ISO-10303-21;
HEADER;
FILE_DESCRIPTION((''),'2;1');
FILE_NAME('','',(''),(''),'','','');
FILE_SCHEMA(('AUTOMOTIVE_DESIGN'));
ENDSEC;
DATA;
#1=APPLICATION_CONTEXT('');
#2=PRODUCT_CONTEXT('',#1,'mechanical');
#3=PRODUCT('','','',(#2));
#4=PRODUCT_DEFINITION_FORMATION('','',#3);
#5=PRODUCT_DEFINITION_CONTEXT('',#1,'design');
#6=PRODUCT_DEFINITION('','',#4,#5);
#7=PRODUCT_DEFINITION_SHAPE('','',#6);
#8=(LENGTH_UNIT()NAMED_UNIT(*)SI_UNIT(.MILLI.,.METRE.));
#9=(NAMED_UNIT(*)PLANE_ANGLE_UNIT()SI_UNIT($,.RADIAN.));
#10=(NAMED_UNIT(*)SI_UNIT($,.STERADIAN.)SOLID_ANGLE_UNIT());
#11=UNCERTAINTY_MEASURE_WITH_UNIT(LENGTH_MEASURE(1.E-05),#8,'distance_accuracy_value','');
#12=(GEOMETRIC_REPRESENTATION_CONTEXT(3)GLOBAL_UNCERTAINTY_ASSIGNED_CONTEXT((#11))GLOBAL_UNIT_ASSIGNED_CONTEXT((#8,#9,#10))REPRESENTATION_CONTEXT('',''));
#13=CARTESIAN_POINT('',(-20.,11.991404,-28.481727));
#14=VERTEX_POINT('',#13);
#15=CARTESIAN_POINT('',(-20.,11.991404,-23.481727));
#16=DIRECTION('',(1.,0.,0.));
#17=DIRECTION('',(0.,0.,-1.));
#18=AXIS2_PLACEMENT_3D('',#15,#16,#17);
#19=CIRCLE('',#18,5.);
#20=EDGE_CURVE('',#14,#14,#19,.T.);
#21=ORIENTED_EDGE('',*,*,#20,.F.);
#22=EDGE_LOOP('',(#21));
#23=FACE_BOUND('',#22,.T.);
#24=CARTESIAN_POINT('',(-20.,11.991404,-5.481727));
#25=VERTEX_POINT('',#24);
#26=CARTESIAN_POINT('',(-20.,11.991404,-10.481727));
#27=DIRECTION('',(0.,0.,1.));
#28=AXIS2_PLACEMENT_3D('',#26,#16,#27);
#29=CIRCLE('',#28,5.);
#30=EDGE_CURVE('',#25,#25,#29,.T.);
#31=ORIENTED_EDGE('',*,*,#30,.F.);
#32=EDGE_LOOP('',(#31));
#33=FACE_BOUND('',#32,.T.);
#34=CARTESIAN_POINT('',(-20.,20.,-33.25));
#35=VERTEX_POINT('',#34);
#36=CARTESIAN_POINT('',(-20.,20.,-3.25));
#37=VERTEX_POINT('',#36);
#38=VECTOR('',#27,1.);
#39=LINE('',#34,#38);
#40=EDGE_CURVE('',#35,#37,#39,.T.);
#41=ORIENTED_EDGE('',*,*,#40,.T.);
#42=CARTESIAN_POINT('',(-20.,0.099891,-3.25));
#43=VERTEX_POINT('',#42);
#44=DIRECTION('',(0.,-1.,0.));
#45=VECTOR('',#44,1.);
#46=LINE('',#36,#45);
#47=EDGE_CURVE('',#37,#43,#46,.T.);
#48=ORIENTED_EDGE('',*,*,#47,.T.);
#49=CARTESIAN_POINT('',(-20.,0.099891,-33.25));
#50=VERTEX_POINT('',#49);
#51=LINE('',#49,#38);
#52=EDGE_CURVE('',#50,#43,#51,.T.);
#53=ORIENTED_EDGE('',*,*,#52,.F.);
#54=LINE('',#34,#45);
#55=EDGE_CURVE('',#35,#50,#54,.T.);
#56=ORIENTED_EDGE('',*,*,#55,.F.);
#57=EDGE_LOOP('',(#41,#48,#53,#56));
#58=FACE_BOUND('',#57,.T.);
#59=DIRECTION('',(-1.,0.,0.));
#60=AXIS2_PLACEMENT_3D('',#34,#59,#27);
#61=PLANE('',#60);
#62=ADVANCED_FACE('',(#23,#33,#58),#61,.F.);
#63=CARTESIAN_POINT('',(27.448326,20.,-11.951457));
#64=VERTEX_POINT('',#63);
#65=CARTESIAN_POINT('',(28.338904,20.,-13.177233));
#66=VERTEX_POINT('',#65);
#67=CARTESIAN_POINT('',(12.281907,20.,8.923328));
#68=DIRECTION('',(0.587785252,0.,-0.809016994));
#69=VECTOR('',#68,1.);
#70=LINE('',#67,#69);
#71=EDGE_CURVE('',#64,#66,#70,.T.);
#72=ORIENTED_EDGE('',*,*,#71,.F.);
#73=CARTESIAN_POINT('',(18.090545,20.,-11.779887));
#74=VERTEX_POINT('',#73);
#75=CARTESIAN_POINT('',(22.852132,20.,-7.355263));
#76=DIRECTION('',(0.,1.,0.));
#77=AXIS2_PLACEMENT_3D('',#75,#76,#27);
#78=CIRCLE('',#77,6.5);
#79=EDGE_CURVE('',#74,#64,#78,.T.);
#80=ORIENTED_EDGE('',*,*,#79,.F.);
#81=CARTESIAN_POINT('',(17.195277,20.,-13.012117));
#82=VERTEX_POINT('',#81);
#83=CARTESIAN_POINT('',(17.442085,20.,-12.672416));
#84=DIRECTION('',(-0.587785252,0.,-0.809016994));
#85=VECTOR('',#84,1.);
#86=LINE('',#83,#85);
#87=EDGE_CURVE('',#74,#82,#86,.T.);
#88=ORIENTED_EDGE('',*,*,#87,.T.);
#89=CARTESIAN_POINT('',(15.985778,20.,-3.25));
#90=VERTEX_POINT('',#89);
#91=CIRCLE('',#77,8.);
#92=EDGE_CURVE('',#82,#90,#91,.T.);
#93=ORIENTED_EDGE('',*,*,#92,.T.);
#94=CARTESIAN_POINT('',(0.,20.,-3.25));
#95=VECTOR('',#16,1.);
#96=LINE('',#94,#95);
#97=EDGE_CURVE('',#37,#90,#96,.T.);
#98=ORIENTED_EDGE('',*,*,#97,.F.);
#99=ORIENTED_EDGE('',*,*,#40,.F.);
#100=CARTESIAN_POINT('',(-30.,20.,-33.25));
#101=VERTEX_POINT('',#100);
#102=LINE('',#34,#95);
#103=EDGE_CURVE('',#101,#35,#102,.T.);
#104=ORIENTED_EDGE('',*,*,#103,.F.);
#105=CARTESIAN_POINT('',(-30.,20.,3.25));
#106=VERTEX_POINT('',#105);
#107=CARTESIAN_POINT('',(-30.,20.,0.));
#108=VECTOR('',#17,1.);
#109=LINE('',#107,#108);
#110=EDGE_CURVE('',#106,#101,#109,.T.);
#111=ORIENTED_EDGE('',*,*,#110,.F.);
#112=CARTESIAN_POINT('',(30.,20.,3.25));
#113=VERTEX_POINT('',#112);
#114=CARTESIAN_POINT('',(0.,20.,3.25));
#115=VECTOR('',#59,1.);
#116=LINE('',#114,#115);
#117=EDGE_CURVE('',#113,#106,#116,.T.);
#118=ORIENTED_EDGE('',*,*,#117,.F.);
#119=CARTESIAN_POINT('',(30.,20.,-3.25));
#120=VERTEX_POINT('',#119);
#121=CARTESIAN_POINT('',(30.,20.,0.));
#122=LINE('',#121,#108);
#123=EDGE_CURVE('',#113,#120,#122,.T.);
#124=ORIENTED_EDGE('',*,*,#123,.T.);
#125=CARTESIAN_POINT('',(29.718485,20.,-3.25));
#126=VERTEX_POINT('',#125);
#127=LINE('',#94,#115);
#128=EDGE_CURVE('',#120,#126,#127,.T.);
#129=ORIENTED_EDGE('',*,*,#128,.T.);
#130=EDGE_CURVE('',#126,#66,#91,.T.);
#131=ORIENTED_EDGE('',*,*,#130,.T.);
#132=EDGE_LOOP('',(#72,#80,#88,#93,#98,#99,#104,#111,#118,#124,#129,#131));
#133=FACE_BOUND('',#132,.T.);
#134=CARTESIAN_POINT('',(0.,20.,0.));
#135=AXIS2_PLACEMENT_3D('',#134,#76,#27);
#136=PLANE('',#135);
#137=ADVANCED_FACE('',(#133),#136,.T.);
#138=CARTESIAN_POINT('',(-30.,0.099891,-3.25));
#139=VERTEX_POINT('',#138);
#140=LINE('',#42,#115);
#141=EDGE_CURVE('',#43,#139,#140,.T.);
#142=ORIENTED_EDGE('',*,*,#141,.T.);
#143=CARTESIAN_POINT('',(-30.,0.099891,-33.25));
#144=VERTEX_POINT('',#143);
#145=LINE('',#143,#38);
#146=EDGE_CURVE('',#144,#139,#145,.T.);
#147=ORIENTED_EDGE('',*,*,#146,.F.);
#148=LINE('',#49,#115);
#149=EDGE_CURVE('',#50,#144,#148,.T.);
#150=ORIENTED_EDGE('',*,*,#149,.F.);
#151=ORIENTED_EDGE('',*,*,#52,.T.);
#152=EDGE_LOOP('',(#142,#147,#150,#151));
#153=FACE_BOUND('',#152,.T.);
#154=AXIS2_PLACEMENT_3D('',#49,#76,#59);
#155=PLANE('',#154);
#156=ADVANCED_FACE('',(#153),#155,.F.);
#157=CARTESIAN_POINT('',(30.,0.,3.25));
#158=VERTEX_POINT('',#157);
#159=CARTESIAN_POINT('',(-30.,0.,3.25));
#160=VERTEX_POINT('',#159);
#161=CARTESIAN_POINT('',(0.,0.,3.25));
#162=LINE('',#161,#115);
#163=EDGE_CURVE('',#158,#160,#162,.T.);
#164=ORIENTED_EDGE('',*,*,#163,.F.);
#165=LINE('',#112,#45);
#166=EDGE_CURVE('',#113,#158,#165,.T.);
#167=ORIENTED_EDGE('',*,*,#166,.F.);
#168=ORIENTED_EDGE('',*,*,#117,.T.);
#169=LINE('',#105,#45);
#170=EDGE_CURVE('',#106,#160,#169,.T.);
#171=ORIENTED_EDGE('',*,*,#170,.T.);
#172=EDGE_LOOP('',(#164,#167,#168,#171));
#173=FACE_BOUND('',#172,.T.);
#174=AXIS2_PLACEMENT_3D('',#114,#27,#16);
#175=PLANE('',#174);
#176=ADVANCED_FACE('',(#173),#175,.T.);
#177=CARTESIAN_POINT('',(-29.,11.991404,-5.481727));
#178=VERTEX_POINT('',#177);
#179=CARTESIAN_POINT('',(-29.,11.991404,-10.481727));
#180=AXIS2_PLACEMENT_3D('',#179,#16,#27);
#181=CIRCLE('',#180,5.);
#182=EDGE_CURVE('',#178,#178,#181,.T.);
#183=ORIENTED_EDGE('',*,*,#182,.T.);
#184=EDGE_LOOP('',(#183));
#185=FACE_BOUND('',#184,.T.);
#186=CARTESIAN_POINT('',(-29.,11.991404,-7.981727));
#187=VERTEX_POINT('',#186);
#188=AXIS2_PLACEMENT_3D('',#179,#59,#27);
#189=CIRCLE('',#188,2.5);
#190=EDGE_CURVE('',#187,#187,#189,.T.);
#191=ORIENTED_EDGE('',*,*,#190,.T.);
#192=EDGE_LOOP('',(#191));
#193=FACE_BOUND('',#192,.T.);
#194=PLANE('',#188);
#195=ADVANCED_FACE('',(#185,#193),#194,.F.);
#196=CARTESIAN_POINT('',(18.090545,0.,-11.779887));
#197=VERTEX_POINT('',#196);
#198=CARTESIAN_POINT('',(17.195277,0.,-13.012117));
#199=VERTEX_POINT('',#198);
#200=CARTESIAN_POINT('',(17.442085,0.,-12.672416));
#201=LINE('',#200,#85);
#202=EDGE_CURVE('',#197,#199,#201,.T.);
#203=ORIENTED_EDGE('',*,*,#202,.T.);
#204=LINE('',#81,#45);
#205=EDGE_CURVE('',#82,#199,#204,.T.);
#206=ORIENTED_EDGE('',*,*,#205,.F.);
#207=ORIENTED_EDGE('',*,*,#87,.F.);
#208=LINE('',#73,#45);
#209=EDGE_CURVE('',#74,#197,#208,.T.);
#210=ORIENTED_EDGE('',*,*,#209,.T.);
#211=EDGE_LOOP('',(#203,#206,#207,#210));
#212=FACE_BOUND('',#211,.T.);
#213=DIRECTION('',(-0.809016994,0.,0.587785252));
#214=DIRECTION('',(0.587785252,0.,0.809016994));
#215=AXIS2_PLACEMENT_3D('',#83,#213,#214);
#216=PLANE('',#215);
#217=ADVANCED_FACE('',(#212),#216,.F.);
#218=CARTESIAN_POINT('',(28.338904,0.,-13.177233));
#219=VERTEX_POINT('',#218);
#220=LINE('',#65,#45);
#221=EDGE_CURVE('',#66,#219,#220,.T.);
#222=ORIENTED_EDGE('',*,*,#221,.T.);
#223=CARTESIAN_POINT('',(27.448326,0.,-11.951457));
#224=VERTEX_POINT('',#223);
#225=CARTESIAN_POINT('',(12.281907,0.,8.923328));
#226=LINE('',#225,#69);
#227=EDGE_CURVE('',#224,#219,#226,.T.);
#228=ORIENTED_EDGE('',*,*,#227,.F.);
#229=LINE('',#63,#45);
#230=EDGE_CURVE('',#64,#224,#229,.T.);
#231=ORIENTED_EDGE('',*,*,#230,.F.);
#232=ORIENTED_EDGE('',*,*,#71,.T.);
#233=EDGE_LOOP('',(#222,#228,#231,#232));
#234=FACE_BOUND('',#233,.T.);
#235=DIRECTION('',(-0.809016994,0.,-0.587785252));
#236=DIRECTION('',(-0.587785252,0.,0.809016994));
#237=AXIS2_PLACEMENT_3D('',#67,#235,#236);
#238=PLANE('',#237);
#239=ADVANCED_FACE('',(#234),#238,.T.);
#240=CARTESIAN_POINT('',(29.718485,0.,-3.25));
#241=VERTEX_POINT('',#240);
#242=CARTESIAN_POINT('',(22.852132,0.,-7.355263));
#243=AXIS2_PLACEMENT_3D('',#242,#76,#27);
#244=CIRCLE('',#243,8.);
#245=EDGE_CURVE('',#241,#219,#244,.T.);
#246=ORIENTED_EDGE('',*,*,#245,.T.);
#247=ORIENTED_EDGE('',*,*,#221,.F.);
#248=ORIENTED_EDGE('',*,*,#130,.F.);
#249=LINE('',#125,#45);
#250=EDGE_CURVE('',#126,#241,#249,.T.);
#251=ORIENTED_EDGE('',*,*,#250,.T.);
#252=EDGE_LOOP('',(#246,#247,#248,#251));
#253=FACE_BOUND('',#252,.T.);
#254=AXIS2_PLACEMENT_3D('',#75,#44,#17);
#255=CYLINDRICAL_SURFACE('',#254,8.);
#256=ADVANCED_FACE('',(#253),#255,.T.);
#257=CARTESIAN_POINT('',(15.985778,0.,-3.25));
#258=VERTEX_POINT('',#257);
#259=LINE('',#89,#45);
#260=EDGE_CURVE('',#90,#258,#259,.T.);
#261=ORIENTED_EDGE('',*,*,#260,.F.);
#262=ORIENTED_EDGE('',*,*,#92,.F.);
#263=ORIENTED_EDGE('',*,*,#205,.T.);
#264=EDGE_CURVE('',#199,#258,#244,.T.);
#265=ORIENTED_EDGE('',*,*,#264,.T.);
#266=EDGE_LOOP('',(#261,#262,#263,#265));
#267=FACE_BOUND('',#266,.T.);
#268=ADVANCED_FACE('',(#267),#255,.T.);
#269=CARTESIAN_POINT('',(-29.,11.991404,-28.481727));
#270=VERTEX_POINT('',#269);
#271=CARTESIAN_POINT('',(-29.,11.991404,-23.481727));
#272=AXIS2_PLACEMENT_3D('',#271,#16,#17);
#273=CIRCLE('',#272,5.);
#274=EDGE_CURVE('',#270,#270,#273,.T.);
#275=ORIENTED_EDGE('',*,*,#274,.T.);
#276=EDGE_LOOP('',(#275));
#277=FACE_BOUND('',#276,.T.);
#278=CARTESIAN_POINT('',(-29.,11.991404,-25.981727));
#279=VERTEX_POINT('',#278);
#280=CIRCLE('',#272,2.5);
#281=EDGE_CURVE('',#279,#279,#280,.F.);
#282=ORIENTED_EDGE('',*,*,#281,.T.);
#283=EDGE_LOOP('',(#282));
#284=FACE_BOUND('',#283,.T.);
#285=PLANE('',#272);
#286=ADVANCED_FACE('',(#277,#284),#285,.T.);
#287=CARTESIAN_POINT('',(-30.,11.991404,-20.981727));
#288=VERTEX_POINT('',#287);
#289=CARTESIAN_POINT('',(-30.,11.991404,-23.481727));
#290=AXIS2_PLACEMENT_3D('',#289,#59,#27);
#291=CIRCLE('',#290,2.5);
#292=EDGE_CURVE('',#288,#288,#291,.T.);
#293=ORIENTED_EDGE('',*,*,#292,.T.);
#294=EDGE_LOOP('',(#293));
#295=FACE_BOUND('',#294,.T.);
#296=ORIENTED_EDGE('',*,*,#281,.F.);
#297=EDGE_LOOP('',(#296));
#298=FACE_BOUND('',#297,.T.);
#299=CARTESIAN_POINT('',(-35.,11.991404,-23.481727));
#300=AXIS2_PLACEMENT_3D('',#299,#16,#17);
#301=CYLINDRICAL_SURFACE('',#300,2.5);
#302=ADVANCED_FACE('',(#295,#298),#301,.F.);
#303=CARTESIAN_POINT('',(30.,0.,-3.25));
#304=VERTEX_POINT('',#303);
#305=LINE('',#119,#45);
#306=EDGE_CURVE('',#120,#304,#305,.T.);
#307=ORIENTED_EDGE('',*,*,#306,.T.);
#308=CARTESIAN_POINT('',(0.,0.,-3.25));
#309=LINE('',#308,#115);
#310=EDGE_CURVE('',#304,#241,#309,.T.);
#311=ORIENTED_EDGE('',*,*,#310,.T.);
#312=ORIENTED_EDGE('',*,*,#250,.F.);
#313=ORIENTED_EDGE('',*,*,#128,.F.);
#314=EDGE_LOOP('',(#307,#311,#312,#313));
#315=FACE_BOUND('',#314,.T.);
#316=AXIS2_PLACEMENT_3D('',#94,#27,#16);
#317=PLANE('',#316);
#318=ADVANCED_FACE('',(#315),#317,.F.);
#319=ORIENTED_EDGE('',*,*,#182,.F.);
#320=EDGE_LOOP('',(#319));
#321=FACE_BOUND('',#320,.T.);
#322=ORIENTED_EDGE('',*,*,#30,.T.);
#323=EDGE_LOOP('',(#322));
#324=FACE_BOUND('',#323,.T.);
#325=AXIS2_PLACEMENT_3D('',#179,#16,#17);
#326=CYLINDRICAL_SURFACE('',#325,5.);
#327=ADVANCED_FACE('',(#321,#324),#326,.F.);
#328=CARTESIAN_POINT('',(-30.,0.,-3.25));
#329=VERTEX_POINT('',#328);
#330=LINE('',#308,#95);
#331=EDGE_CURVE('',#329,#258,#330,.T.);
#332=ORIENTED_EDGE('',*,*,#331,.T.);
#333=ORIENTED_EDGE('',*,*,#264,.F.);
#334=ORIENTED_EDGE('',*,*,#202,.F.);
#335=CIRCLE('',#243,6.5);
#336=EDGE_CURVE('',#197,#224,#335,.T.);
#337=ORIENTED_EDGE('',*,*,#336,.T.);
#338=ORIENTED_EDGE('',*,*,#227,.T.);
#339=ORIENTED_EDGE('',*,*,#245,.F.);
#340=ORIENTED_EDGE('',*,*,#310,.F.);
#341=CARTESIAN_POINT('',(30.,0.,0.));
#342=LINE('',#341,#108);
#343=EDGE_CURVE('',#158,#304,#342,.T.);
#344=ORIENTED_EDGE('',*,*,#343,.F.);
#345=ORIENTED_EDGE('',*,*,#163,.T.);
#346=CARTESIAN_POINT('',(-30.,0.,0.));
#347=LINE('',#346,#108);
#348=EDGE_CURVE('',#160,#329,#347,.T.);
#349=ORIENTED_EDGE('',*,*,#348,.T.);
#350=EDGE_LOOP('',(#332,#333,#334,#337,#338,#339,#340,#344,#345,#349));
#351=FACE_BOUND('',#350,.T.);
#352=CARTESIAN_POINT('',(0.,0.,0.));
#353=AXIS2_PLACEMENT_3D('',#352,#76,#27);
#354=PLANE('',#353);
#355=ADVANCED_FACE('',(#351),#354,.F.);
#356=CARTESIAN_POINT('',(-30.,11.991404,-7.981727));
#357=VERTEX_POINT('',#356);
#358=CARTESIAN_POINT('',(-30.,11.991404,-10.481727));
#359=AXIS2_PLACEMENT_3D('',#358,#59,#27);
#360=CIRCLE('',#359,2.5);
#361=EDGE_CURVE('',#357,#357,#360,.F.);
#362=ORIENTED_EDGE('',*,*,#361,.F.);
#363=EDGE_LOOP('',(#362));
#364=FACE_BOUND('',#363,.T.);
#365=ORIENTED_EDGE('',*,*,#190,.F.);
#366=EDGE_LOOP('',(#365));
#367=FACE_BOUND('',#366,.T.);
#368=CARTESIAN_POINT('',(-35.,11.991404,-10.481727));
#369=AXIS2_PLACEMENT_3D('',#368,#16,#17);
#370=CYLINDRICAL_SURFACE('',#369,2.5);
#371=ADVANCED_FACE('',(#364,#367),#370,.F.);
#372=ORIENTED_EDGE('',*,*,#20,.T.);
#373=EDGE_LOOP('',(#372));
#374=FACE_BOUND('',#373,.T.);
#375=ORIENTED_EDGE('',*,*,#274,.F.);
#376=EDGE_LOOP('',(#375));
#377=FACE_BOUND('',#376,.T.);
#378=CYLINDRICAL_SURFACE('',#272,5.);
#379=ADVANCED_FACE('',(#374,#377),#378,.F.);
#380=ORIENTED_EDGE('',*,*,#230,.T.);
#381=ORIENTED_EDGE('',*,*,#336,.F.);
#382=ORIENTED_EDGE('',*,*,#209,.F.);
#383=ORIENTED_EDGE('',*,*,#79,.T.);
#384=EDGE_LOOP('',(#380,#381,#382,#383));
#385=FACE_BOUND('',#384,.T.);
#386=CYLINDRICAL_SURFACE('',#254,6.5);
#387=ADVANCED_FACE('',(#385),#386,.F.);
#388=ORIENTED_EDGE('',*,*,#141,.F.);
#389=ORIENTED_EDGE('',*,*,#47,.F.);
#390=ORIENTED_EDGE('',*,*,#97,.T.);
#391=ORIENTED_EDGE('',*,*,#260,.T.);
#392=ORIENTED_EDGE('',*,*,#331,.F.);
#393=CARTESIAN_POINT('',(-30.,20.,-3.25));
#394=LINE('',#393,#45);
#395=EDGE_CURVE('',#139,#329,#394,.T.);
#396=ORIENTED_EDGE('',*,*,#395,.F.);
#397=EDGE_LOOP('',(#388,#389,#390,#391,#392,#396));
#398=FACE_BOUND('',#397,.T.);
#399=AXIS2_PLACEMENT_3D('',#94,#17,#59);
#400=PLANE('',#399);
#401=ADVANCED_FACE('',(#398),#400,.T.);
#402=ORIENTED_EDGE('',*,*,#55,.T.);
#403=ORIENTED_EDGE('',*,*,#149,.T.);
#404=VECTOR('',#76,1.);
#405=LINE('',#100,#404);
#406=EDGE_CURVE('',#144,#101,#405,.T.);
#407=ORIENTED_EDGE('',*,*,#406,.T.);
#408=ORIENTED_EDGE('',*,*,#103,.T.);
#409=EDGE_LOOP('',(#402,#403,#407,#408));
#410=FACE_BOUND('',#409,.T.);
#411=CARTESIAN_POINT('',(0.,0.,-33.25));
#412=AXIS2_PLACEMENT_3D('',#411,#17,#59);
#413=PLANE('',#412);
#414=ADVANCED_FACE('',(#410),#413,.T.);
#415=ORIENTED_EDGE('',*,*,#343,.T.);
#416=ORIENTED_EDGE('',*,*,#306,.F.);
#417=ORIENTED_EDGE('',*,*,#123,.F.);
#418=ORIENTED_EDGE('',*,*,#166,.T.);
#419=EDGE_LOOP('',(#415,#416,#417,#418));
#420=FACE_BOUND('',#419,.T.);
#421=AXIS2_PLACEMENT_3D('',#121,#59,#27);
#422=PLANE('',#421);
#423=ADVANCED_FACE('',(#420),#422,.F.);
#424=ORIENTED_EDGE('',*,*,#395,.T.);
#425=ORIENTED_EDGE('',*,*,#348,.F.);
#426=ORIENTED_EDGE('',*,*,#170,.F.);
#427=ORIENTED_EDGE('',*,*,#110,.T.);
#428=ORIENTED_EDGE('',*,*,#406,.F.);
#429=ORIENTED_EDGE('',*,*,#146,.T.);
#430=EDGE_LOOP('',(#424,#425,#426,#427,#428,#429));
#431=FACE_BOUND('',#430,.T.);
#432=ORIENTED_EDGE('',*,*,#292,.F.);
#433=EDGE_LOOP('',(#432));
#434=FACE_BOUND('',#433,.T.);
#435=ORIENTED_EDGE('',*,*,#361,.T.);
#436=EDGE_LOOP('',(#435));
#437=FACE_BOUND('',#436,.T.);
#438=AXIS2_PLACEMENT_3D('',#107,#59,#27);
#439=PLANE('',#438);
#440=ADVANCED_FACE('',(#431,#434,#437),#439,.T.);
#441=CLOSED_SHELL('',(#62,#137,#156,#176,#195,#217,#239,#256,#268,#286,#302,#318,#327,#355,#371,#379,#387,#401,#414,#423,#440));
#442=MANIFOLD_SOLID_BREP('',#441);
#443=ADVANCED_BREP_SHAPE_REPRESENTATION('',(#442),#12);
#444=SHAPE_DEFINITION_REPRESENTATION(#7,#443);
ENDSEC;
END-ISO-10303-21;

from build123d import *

# Parameters (mm, degrees)
EXTRUDE_1_DEPTH     = 20
SKETCH_2_W          = 10
SKETCH_2_H          = 19.900109324
EXTRUDE_2_DEPTH     = 30
SKETCH_3_R          = 2.5
CUT_EXTRUDE_1_DEPTH = 15
SKETCH_6_R          = 5
CUT_EXTRUDE_3_DEPTH = 9


with BuildPart() as part:
    # 草圖1 → 填料-伸長1 (new body)
    with BuildSketch(Plane(origin=(0, 0, 0), x_dir=(1, 0, 0), z_dir=(0, 1, 0))):
        with BuildLine():
            Line((18.090545138, 11.779886892), (17.195277264, 13.012117407))
            ThreePointArc((17.195277264, 13.012117407), (14.912835639, 8.338920118), (15.985777721, 3.25))
            Line((15.985777721, 3.25), (-30, 3.25))
            Line((-30, 3.25), (-30, -3.25))
            Line((-30, -3.25), (30, -3.25))
            Line((30, -3.25), (30, 3.25))
            Line((30, 3.25), (29.718485306, 3.25))
            ThreePointArc((29.718485306, 3.25), (30.775982744, 8.456436022), (28.338903699, 13.177232841))
            Line((28.338903699, 13.177232841), (27.448325592, 11.951457236))
            ThreePointArc((27.448325592, 11.951457236), (22.97128582, 0.856355384), (18.090545138, 11.779886892))
        make_face()
    extrude(amount=EXTRUDE_1_DEPTH)

    # 草圖2 → 填料-伸長2 (add)
    with BuildSketch(Plane(origin=(0, 0, -3.25), x_dir=(-1, 0, 0), z_dir=(0, 0, -1))):
        with Locations((25, 10.049945338)):
            Rectangle(SKETCH_2_W, SKETCH_2_H)
    extrude(amount=EXTRUDE_2_DEPTH)

    # 草圖3 → 除料-伸長1 (cut)
    with BuildSketch(Plane(origin=(-20, 0, 0), x_dir=(0, 0, -1), z_dir=(1, 0, 0))):
        with Locations((23.481727135, 11.991404281)):
            Circle(SKETCH_3_R)
        with Locations(Location((10.481727135, 11.991404281, 0), (0, 0, 180))):
            Circle(SKETCH_3_R)
    extrude(amount=-CUT_EXTRUDE_1_DEPTH, mode=Mode.SUBTRACT)

    # 草圖6 → 除料-伸長3 (cut)
    with BuildSketch(Plane(origin=(-20, 0, 0), x_dir=(0, 0, -1), z_dir=(1, 0, 0))):
        with Locations((23.481727135, 11.991404281)):
            Circle(SKETCH_6_R)
        with Locations(Location((10.481727135, 11.991404281, 0), (0, 0, 180))):
            Circle(SKETCH_6_R)
    extrude(amount=-CUT_EXTRUDE_3_DEPTH, mode=Mode.SUBTRACT)


solid = part.part
